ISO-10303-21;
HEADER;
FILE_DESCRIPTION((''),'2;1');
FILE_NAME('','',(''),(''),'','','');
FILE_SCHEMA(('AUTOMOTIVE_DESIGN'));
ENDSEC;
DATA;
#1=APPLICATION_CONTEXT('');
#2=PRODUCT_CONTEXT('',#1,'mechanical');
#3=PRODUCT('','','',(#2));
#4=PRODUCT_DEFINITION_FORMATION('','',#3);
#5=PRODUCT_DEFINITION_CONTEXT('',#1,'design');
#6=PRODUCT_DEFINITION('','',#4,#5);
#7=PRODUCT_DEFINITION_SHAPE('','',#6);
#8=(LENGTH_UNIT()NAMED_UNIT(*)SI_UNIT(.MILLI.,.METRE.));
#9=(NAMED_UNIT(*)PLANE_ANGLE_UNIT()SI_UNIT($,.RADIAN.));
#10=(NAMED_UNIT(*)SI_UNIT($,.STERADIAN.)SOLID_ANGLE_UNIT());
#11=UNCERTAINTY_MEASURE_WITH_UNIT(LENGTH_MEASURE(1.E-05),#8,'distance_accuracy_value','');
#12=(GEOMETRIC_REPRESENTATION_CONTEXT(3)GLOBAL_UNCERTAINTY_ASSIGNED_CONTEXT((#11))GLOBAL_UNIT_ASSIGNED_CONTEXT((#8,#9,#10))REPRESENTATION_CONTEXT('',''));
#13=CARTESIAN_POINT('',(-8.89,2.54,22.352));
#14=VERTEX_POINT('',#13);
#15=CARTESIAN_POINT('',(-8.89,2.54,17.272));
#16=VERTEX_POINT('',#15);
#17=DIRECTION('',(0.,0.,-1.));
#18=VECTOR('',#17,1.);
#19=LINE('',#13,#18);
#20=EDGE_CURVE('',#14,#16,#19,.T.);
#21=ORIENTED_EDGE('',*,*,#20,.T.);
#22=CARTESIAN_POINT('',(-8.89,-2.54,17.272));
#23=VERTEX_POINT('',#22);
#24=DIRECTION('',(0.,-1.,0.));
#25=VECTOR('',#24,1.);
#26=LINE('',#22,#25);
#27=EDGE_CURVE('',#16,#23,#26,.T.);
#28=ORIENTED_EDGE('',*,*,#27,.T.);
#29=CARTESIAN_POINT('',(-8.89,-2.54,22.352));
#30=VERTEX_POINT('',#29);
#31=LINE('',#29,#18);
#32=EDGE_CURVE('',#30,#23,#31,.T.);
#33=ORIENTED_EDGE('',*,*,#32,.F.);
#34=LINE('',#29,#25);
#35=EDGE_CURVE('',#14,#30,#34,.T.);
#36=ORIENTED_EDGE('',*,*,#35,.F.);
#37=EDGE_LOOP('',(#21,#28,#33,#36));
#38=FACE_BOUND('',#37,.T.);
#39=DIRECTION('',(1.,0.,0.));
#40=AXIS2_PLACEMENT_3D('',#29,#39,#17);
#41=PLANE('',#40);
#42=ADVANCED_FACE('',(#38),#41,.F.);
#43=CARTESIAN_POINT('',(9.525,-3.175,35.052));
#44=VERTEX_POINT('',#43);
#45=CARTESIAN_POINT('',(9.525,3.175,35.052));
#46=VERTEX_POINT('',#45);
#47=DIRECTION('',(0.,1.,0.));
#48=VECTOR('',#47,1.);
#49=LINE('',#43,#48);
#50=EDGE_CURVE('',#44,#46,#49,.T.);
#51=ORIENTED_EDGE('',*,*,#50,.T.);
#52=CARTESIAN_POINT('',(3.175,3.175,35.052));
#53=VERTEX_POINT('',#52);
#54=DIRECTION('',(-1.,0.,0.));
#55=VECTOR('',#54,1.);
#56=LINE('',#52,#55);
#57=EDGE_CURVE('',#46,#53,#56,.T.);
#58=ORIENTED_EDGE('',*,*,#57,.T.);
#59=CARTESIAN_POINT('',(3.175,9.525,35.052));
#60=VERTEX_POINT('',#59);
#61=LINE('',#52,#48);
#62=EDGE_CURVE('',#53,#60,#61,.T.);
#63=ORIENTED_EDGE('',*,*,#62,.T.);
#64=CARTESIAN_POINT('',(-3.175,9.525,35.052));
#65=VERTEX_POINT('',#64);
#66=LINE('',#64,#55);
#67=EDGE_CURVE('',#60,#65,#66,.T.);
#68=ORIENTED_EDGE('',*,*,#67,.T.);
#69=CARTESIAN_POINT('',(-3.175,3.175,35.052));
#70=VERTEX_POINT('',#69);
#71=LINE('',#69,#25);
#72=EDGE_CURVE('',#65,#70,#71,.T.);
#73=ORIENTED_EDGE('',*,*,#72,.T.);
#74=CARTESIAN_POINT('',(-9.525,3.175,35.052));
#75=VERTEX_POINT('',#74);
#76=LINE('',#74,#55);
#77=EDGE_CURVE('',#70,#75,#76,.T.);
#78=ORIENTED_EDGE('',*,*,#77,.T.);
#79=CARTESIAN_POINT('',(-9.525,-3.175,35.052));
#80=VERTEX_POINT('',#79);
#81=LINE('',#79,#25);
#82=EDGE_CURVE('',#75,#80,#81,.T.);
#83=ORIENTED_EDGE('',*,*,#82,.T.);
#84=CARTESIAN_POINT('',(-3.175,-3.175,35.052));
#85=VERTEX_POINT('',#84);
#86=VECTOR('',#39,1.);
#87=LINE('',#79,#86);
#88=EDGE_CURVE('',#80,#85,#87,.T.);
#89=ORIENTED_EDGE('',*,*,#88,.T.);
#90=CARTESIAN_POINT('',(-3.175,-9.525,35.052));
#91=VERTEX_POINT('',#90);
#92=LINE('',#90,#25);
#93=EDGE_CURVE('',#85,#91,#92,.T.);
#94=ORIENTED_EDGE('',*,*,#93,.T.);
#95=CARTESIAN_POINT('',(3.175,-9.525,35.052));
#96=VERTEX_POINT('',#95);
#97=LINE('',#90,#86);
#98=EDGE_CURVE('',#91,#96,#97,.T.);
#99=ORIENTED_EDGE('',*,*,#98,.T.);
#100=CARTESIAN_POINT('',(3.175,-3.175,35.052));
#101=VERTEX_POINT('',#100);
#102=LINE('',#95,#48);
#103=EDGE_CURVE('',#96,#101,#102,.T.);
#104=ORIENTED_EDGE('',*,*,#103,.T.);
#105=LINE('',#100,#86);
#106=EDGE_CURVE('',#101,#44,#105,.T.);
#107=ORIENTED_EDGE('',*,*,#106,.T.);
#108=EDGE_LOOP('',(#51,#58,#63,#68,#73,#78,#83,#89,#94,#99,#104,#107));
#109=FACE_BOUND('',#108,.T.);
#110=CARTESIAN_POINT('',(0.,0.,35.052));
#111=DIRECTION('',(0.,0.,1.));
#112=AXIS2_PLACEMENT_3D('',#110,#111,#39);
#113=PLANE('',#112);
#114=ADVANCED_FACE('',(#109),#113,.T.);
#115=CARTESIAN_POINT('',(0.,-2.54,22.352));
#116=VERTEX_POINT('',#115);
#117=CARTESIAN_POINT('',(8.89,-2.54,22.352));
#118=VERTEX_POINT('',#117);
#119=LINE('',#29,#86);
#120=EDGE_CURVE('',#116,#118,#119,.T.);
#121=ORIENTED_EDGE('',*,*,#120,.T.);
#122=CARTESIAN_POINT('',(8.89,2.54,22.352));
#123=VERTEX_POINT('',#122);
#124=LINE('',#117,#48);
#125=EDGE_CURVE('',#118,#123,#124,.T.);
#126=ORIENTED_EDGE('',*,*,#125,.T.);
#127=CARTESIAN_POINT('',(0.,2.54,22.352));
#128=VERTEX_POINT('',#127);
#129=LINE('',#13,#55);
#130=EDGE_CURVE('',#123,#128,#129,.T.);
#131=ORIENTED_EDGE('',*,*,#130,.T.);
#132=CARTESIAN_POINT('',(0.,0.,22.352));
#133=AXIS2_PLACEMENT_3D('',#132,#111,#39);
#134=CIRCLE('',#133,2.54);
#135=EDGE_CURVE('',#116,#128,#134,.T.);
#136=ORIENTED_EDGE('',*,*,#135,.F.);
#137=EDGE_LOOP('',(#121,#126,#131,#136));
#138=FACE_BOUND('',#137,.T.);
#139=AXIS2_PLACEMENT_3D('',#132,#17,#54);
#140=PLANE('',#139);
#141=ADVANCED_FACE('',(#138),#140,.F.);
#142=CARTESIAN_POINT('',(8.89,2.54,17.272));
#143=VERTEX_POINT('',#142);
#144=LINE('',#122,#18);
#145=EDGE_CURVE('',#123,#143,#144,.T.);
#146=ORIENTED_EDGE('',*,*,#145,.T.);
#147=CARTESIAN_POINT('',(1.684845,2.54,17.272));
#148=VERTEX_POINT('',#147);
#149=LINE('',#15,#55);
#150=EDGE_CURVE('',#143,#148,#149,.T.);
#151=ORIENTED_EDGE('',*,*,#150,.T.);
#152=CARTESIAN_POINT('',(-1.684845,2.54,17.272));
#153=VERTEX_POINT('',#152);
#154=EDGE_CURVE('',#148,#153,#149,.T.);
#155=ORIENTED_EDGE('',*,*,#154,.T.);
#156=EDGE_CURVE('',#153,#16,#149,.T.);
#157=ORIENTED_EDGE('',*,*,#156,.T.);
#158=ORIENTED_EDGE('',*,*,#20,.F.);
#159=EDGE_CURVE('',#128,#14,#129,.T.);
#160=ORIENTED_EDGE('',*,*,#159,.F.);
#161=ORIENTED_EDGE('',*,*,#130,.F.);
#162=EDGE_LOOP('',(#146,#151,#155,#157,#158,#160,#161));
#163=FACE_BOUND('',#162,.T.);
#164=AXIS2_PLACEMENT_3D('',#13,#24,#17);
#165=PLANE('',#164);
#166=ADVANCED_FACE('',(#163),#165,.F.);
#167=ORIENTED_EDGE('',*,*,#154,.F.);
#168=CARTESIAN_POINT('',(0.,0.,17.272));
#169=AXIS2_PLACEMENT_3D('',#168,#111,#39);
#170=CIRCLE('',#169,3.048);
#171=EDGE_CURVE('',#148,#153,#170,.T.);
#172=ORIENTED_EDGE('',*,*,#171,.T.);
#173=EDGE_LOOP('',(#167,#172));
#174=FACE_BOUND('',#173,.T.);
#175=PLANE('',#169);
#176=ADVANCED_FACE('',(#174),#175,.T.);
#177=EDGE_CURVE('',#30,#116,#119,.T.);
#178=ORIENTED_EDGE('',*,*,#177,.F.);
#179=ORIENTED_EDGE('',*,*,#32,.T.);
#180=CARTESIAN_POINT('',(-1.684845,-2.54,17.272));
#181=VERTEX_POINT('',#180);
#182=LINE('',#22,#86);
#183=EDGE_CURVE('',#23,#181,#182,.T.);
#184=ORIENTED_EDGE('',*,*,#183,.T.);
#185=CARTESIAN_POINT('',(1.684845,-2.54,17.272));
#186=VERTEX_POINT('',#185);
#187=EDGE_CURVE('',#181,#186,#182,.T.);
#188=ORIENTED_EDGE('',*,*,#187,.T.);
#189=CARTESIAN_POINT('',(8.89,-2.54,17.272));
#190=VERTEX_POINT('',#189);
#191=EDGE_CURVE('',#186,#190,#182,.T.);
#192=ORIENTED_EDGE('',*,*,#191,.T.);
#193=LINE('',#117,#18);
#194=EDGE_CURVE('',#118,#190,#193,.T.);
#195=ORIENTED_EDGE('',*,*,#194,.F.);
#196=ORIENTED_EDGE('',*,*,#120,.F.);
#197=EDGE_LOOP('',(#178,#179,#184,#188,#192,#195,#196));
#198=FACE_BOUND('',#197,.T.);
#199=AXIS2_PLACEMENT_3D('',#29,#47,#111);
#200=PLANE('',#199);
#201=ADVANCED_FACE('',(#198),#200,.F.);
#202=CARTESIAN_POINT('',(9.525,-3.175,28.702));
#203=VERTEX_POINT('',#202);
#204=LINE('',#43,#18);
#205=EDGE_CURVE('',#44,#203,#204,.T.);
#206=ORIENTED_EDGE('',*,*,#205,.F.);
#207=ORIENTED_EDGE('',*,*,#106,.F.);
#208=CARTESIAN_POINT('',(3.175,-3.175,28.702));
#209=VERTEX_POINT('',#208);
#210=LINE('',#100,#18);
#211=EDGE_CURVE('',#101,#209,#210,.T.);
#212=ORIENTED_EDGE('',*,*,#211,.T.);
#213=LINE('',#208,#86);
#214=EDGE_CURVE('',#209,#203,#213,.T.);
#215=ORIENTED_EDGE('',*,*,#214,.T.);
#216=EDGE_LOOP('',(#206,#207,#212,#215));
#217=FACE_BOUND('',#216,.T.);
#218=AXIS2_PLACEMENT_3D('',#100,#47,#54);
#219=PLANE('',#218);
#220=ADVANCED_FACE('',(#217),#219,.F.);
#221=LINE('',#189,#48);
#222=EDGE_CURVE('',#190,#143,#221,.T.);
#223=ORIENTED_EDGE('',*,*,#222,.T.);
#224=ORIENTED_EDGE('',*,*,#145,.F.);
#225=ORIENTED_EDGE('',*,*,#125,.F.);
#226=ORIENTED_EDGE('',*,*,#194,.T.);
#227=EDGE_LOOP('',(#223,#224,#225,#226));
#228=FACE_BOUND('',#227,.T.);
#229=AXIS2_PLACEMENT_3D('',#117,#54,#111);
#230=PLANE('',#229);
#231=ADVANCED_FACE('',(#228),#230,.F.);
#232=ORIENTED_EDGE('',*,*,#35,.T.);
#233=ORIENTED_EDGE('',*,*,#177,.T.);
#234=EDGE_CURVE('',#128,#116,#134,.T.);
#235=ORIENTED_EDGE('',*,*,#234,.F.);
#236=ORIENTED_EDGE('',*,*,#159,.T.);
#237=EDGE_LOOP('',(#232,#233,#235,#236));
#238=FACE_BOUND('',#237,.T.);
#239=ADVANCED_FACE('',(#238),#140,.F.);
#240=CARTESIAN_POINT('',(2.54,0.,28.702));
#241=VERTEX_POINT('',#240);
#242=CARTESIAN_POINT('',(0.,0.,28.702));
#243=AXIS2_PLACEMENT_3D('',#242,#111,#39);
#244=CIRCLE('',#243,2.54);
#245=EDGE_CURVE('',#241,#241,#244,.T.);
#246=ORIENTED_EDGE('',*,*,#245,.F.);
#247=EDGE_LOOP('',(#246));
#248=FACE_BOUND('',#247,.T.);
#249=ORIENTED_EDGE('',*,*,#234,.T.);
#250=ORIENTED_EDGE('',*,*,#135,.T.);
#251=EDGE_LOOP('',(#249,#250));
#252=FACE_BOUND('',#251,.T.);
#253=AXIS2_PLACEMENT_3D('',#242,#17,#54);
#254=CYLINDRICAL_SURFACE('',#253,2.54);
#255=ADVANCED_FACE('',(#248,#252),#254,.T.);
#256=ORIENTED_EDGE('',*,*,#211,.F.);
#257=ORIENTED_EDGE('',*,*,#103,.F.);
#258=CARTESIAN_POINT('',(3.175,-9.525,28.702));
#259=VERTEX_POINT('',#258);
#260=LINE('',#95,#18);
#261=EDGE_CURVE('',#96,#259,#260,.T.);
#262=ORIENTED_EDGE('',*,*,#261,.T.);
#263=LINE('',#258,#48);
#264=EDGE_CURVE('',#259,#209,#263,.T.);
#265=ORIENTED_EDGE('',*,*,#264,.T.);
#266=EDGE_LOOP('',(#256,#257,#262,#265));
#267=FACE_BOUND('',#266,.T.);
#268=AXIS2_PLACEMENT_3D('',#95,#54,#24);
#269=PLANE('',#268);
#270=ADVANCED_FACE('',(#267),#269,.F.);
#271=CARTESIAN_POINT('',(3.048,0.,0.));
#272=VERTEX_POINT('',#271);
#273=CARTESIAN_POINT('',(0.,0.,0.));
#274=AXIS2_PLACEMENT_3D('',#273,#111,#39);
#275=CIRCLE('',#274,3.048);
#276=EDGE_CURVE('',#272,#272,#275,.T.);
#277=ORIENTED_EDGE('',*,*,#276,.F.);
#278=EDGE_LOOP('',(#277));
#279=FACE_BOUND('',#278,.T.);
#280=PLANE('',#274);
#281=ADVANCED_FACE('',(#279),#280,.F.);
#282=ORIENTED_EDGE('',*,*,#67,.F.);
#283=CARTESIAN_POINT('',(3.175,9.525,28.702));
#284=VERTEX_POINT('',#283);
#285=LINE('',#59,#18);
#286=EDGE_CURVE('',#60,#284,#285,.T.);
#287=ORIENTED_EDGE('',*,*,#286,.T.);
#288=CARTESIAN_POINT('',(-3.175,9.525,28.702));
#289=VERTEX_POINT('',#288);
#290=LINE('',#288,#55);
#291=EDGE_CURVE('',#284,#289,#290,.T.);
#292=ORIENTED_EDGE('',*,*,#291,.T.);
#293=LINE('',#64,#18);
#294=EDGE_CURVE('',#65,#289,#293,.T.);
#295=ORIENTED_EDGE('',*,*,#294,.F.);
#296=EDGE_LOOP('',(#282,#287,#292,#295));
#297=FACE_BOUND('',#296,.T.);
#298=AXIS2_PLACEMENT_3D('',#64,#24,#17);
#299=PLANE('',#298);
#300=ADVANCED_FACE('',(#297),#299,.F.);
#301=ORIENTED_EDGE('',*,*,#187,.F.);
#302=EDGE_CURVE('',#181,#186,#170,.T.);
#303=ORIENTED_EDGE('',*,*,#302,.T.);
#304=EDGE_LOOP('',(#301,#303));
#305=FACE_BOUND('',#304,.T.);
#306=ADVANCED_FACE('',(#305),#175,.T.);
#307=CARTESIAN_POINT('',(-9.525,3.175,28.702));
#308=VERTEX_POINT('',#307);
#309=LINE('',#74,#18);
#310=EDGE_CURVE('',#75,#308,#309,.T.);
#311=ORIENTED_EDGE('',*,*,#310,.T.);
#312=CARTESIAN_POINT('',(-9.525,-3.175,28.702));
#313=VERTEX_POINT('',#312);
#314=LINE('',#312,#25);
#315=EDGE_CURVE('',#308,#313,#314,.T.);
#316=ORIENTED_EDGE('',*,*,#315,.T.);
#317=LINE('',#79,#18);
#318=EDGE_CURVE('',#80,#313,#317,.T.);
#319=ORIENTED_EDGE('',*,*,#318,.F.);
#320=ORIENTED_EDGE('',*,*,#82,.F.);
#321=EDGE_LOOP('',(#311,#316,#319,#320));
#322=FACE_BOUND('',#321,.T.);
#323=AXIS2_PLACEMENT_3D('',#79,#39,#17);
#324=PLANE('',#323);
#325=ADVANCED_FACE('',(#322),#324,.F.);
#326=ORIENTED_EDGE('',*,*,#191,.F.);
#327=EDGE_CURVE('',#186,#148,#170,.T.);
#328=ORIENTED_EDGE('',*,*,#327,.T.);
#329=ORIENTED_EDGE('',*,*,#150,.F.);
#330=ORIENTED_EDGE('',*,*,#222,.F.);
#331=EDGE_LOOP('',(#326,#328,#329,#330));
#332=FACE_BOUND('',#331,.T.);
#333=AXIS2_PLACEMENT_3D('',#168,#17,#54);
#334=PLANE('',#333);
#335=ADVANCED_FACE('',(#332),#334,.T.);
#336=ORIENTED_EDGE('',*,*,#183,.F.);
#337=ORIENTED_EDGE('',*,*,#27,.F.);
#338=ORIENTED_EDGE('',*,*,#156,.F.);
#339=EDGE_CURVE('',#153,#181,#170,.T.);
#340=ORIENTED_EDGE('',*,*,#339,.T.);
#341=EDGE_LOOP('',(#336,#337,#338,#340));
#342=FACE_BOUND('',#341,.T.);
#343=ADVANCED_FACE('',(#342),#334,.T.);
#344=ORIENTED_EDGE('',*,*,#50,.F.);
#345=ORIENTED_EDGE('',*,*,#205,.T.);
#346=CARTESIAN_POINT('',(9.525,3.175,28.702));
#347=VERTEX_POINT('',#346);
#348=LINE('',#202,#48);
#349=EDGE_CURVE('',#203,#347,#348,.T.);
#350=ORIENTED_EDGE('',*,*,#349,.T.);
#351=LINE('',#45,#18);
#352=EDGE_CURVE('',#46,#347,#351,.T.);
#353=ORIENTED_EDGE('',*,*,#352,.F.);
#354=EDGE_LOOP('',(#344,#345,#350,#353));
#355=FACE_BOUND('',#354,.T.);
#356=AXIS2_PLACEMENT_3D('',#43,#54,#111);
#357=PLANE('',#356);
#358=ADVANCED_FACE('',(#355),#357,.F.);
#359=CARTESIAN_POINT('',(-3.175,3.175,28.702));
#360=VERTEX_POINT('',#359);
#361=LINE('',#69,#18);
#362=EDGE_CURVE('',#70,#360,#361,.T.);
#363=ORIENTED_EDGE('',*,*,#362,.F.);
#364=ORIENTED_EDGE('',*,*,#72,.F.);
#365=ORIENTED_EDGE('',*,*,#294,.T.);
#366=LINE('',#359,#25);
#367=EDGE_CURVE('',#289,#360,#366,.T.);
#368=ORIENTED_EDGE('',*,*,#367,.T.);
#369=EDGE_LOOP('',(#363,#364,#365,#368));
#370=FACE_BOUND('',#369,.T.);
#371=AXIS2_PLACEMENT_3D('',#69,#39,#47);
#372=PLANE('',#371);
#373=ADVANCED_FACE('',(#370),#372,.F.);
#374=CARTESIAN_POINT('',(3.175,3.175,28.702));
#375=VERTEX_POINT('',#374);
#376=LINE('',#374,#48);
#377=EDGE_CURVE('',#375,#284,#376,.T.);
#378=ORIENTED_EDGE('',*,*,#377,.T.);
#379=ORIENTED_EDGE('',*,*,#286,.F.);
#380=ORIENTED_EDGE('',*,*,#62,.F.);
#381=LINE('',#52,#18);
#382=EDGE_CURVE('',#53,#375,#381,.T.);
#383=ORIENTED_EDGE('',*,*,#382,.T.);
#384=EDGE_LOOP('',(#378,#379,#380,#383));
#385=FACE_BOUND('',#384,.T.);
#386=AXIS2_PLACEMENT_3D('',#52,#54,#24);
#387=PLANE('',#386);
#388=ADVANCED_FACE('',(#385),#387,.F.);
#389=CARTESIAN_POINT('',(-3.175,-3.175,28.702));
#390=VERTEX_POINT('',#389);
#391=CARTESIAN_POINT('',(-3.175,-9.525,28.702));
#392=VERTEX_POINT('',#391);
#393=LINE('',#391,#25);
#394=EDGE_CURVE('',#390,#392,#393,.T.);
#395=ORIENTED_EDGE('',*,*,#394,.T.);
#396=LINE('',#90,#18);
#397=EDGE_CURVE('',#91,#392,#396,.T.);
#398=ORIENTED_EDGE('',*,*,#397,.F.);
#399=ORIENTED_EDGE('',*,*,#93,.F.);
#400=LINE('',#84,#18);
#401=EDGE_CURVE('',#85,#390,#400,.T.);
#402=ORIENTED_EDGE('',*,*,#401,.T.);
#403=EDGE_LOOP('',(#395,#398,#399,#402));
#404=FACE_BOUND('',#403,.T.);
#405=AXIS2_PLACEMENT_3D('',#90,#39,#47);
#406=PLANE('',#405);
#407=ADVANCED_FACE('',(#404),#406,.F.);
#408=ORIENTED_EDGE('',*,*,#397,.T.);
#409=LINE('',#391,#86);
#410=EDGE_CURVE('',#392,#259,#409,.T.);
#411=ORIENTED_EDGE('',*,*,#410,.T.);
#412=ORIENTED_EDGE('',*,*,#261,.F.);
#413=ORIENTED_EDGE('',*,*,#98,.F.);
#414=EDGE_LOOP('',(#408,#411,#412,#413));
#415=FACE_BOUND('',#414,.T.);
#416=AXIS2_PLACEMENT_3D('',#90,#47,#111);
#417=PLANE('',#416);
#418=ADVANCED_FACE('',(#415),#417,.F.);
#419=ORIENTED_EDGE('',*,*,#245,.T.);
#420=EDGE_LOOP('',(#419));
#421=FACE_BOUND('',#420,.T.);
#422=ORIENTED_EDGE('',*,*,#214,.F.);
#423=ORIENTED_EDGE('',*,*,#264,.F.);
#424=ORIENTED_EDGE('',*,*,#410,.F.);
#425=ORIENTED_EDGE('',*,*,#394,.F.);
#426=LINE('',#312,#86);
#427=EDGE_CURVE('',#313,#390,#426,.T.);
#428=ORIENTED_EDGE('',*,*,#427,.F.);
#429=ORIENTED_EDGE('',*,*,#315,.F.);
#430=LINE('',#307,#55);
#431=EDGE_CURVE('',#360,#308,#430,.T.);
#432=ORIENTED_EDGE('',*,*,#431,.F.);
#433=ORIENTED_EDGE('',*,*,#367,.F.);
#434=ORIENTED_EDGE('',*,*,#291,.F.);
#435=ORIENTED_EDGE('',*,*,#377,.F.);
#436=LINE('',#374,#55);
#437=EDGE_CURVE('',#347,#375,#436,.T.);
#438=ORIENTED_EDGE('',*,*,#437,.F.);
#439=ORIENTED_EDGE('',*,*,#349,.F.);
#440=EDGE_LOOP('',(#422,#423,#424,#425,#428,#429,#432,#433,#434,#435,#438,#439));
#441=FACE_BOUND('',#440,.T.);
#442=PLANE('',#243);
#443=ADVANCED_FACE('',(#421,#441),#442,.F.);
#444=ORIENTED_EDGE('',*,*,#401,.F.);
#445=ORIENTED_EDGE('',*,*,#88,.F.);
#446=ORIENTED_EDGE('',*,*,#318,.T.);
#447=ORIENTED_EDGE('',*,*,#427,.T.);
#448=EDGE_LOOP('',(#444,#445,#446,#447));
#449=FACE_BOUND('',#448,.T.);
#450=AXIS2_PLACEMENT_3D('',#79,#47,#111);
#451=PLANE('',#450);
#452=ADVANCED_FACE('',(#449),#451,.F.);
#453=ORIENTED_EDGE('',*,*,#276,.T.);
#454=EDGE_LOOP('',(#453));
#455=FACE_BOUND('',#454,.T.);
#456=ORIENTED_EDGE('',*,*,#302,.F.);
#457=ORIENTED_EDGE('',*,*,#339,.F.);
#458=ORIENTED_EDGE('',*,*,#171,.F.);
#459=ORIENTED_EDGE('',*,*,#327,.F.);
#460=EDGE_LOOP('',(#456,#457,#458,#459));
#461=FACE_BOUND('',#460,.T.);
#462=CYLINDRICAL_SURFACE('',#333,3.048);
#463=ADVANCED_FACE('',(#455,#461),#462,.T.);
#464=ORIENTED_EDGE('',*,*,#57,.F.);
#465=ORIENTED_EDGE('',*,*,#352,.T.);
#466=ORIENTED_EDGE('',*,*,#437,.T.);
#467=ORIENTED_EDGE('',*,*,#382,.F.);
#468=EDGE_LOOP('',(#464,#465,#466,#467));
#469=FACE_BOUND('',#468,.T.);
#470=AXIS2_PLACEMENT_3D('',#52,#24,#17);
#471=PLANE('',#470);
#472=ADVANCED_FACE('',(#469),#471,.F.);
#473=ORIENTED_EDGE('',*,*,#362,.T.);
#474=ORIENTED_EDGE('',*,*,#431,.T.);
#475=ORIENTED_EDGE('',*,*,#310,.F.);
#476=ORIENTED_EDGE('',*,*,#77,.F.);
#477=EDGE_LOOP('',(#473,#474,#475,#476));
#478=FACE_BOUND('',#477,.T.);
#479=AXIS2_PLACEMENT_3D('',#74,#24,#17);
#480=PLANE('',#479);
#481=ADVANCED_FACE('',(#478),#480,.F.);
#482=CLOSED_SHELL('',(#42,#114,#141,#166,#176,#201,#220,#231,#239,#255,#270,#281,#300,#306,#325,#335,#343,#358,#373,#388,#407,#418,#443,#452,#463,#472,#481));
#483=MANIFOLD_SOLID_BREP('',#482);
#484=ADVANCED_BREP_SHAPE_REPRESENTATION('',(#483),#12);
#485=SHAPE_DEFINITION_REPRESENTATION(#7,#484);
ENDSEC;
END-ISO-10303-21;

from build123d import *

# Parameters (mm, degrees)
SKETCH2_R           = 3.048
BOSS_EXTRUDE1_DEPTH = 17.272
SKETCH3_W           = 17.78
SKETCH3_H           = 5.08
BOSS_EXTRUDE2_DEPTH = 5.08
SKETCH4_R           = 2.54
BOSS_EXTRUDE3_DEPTH = 6.35
BOSS_EXTRUDE4_DEPTH = 6.35


with BuildPart() as part:
    # Sketch2 → Boss-Extrude1 (new body)
    with BuildSketch(Plane.XY):
        Circle(SKETCH2_R)
    extrude(amount=BOSS_EXTRUDE1_DEPTH)

    # Sketch3 → Boss-Extrude2 (add)
    with BuildSketch(Plane.XY.offset(17.272)):
        Rectangle(SKETCH3_W, SKETCH3_H)
    extrude(amount=BOSS_EXTRUDE2_DEPTH)

    # Sketch4 → Boss-Extrude3 (add)
    with BuildSketch(Plane.XY.offset(22.352)):
        with Locations(Location((0, 0, 0), (0, 0, 270))):
            Circle(SKETCH4_R)
    extrude(amount=BOSS_EXTRUDE3_DEPTH)

    # Sketch5 → Boss-Extrude4 (add)
    with BuildSketch(Plane.XY.offset(28.702)):
        Polygon((-3.175, 3.175), (-3.175, 9.525), (3.175, 9.525), (3.175, 3.175), (9.525, 3.175), (9.525, -3.175), (3.175, -3.175), (3.175, -9.525), (-3.175, -9.525), (-3.175, -3.175), (-9.525, -3.175), (-9.525, 3.175), align=None)
    extrude(amount=BOSS_EXTRUDE4_DEPTH)


solid = part.part
